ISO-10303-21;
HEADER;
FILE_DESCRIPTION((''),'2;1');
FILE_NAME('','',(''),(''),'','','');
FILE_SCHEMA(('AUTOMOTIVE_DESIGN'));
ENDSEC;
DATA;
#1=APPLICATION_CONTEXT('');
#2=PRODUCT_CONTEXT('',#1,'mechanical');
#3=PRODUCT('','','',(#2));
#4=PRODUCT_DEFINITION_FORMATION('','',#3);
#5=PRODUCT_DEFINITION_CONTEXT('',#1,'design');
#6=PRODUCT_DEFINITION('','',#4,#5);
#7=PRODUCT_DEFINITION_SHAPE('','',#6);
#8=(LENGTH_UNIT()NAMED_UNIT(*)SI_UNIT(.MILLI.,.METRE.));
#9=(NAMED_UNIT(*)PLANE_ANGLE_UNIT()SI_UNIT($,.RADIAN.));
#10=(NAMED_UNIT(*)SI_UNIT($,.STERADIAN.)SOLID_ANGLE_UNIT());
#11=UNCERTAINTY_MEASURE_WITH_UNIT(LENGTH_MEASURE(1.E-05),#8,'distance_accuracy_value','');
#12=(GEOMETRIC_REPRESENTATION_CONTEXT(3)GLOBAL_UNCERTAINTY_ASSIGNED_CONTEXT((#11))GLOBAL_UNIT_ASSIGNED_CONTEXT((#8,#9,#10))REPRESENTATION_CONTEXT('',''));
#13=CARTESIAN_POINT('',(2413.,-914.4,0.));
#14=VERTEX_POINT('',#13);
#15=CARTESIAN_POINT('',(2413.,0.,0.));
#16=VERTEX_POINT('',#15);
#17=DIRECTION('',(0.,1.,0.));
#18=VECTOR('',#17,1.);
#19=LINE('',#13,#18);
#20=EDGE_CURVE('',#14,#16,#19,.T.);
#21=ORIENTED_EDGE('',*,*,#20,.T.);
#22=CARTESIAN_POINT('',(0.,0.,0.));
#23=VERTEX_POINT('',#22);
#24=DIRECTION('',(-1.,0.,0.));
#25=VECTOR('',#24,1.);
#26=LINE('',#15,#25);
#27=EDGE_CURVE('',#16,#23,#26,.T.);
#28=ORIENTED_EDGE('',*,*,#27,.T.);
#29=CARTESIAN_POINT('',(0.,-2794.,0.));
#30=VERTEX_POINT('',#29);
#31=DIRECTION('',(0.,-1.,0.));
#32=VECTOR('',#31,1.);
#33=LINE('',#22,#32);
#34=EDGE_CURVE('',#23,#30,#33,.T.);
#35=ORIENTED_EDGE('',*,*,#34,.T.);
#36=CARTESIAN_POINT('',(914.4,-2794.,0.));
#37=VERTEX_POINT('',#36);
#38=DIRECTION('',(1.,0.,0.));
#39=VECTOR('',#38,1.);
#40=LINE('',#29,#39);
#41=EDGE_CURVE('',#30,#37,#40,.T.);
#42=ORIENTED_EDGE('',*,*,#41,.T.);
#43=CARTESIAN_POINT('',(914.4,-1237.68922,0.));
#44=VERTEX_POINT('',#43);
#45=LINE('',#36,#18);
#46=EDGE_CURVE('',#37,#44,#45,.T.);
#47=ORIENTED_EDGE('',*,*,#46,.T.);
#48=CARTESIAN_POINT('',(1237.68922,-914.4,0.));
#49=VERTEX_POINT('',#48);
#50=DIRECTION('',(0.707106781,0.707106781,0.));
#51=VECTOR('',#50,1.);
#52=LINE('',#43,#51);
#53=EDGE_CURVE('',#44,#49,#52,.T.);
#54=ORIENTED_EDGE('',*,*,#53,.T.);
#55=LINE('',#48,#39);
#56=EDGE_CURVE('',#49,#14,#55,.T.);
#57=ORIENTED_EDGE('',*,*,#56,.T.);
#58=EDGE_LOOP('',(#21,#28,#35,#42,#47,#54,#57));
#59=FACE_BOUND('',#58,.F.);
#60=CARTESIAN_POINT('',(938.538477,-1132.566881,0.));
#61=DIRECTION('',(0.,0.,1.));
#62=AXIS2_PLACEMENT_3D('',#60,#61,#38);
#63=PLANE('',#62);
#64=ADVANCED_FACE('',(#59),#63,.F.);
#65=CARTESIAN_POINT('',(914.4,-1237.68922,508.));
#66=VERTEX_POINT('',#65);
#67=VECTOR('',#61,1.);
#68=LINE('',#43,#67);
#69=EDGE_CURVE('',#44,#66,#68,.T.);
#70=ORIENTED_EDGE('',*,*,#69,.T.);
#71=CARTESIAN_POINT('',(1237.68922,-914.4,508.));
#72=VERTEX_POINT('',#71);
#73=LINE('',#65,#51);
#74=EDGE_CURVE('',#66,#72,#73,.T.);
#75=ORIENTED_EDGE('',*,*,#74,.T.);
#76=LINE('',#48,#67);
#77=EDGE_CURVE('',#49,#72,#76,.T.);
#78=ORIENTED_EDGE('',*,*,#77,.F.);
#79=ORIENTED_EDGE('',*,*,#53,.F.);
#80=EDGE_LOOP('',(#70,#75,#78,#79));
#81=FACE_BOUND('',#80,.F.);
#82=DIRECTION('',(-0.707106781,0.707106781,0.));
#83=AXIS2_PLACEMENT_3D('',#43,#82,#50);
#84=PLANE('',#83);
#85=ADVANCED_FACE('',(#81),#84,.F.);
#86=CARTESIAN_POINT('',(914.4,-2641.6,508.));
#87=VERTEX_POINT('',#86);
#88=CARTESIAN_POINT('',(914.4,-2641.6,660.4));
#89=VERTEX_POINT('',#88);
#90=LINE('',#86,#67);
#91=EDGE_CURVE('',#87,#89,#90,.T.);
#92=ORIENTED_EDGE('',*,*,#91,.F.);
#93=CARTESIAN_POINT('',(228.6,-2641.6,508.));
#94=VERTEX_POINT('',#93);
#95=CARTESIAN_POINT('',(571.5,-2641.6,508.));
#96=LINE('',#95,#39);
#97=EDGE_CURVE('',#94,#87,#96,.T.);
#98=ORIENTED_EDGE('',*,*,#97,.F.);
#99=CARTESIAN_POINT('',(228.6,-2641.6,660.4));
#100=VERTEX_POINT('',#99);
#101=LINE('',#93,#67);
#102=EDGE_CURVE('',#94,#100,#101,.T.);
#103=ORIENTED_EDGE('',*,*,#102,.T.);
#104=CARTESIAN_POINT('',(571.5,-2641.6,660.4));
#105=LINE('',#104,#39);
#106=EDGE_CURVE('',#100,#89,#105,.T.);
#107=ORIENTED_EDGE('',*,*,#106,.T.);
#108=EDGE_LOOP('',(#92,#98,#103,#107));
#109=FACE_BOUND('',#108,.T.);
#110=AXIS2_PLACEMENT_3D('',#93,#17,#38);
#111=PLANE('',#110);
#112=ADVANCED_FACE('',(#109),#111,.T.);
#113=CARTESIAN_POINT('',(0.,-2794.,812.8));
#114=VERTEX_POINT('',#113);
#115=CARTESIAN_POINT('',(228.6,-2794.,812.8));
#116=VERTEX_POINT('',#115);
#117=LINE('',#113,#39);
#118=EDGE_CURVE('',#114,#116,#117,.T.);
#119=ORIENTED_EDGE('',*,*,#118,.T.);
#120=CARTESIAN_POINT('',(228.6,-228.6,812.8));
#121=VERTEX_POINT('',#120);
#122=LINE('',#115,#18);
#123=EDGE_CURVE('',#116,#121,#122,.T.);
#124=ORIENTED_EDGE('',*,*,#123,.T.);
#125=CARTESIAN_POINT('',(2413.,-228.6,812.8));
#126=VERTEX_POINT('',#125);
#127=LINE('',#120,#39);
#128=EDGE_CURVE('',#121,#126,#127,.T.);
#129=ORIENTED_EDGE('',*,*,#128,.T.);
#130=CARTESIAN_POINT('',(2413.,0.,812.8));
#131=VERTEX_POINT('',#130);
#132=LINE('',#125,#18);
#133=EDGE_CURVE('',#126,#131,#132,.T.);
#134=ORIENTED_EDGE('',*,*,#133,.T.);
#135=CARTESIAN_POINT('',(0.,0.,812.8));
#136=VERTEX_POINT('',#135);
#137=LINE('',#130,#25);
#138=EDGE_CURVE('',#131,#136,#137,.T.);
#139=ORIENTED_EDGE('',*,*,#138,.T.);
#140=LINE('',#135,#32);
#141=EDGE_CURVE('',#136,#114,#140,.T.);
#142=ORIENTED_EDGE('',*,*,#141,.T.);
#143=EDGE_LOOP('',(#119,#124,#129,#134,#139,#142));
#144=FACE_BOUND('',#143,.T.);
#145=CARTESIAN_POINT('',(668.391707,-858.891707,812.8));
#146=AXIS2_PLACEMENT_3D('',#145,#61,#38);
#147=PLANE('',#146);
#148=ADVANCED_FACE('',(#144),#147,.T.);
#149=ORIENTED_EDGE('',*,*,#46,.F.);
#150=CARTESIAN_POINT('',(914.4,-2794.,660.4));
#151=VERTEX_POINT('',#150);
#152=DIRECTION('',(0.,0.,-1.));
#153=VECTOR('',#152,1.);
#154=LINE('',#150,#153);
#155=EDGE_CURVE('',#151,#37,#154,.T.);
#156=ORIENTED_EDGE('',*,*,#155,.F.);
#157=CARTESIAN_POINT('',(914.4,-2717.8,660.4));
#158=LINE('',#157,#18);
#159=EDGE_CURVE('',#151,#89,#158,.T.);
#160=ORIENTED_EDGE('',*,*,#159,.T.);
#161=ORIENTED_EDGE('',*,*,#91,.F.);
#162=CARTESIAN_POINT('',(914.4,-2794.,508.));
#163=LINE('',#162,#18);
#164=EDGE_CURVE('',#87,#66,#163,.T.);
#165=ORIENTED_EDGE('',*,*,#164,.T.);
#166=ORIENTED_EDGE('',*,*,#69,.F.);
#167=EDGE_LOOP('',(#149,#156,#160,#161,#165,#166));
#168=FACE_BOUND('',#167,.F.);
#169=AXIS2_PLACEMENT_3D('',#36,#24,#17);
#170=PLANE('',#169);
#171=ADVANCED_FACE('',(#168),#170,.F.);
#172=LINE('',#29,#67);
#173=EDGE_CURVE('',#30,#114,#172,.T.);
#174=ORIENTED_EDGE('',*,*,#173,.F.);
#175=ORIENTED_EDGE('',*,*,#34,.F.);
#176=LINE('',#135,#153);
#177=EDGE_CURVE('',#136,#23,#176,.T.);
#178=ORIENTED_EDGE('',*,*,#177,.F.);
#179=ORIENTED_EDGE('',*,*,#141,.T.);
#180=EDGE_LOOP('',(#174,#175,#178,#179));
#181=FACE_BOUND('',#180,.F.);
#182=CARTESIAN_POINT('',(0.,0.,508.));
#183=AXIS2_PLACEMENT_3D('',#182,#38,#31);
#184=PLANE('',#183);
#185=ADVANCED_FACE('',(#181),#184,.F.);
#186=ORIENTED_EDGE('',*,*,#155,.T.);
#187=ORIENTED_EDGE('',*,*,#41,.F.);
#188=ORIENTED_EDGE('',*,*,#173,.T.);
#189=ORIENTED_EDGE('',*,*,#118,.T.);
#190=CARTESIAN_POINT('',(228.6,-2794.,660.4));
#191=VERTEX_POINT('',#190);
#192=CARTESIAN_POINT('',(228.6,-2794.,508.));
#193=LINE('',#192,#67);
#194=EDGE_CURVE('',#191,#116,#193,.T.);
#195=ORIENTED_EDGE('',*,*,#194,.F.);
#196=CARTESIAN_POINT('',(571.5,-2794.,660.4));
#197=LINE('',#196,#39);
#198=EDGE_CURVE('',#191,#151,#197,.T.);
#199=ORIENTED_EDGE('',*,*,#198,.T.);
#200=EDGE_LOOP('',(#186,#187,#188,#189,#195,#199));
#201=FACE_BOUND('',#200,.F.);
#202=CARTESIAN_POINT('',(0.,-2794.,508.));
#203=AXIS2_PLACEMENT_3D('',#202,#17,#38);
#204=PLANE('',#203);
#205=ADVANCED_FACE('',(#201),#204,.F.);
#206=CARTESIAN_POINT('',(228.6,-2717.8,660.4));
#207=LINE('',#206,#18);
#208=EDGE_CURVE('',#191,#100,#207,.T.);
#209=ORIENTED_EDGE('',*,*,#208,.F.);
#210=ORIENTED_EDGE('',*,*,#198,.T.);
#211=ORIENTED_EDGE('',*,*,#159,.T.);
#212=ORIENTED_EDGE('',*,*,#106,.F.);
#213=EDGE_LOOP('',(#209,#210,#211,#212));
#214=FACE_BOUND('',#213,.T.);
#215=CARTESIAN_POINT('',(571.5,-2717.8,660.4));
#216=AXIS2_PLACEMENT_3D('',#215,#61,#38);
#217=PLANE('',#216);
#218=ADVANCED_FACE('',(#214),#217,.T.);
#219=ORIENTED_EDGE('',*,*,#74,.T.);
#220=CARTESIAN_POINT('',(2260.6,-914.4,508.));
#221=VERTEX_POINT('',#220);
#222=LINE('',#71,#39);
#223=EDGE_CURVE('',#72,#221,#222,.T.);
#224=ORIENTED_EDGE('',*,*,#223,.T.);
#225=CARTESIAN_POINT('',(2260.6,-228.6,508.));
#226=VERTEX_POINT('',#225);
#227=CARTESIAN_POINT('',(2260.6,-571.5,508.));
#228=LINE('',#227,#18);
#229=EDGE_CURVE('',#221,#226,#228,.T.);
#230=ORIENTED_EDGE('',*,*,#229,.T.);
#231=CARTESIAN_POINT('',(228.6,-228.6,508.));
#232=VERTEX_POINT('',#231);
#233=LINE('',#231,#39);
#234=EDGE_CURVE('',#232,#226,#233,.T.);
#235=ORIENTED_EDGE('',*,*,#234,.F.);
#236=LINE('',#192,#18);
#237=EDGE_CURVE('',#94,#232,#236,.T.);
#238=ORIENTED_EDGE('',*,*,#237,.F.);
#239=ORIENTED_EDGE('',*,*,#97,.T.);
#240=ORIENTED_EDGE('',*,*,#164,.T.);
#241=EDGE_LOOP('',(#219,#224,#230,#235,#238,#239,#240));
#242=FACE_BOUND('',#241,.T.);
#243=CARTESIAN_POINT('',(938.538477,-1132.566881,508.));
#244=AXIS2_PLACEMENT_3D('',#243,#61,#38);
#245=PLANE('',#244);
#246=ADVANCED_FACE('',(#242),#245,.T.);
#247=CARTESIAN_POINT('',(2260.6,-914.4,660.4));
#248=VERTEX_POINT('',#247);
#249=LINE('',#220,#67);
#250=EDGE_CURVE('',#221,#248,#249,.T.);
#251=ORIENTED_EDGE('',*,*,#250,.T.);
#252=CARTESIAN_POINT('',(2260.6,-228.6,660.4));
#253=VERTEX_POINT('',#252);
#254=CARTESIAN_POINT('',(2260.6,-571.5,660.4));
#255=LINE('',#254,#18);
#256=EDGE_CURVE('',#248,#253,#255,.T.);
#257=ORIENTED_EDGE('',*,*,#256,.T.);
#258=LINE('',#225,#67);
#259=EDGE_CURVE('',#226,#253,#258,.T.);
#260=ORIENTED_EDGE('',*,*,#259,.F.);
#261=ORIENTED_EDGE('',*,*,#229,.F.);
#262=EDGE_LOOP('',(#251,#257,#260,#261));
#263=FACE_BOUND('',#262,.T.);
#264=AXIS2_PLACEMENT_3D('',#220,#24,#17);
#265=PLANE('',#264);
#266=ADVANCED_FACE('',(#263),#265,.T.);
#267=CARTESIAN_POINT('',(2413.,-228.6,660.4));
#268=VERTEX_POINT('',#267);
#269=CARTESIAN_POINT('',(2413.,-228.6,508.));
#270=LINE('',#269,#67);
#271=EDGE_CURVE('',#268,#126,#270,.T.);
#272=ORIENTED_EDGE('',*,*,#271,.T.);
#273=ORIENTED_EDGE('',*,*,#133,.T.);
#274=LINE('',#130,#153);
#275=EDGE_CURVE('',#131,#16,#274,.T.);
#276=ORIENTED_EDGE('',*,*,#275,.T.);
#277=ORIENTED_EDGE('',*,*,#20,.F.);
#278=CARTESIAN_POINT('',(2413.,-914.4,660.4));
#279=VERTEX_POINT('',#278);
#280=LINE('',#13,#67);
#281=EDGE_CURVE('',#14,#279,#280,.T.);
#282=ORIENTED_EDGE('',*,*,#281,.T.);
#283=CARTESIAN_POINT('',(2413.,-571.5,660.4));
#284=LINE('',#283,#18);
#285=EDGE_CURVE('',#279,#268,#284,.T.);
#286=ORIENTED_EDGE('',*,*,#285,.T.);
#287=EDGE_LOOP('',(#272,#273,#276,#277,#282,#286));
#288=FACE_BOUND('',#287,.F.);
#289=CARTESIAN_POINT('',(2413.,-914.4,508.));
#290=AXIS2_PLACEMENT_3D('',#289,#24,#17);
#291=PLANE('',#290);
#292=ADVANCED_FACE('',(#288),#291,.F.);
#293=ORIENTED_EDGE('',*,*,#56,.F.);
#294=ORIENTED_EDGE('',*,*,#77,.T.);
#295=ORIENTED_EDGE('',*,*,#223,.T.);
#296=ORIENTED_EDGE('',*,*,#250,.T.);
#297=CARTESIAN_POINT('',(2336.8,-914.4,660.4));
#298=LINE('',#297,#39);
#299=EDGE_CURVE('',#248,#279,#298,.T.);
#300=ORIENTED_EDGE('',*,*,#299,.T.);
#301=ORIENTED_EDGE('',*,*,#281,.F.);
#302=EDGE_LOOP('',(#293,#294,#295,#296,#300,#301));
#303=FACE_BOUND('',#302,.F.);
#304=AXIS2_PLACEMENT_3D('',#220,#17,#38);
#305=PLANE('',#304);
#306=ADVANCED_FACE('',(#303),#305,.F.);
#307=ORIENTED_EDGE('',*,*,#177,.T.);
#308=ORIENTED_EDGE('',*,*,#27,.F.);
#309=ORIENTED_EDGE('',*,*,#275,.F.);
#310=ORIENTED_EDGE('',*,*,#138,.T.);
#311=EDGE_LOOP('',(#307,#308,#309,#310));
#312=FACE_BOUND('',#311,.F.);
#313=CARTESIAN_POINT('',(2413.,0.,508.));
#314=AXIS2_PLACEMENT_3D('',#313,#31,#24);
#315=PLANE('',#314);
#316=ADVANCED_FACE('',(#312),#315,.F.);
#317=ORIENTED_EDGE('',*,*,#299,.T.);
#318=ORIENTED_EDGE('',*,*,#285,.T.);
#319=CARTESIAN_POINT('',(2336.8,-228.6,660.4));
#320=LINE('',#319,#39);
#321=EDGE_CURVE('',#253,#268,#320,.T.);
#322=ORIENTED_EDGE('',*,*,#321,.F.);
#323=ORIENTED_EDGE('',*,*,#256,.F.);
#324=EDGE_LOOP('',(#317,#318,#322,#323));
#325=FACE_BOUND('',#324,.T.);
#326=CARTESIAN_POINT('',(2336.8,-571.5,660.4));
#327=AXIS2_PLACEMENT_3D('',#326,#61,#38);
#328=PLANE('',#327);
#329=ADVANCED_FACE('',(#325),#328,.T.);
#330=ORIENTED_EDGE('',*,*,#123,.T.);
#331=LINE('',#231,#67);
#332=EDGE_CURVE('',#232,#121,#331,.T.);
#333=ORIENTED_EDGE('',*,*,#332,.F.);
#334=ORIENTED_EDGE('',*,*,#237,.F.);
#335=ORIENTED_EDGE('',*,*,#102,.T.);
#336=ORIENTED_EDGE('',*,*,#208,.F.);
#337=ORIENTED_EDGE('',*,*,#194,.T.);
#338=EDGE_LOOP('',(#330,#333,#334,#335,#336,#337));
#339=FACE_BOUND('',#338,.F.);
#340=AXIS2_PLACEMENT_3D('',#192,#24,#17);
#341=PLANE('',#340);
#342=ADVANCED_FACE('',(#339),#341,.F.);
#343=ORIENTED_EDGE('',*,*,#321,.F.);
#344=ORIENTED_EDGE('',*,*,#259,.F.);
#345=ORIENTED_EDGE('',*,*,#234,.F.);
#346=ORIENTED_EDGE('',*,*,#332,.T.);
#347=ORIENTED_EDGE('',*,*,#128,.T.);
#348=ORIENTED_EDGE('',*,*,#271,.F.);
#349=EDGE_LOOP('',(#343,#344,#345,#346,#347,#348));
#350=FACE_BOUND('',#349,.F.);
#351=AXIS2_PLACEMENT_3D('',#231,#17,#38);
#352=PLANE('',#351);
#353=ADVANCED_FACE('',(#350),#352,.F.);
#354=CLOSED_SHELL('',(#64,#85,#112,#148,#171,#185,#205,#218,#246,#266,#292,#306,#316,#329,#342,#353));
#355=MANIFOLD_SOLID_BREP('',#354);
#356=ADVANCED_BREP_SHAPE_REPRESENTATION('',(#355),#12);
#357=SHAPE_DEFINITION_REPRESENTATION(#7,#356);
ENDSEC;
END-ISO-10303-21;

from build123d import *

# Parameters (mm, degrees)
F1_DEPTH = 508
F3_DEPTH = 304.8
F4_W     = 152.4
F4_H     = 685.8
F4_W_2   = 685.8
F4_H_2   = 152.4
F5_DEPTH = 152.4


with BuildPart() as f1:
    # F0 (on Top) → F1 (new body)
    with BuildSketch(Plane.XY):
        Polygon((2413, 0), (0, 0), (0, -2794), (914.4, -2794), (914.4, -1237.68922), (1237.68922, -914.4), (2413, -914.4), align=None)
    extrude(amount=F1_DEPTH)

    # F2 (on face) → F3 (join)
    with BuildSketch(Plane.XY.offset(508)):
        Polygon((0, 0), (0, -2794), (228.6, -2794), (228.6, -228.6), (2413, -228.6), (2413, 0), align=None)
    extrude(amount=F3_DEPTH)

    # F4 (on face) → F5 (join)
    with BuildSketch(Plane.XY.offset(508)):
        with Locations((2336.8, -571.5)):
            Rectangle(F4_W, F4_H)
        with Locations((571.5, -2717.8)):
            Rectangle(F4_W_2, F4_H_2)
    extrude(amount=F5_DEPTH)


solid = f1.part
